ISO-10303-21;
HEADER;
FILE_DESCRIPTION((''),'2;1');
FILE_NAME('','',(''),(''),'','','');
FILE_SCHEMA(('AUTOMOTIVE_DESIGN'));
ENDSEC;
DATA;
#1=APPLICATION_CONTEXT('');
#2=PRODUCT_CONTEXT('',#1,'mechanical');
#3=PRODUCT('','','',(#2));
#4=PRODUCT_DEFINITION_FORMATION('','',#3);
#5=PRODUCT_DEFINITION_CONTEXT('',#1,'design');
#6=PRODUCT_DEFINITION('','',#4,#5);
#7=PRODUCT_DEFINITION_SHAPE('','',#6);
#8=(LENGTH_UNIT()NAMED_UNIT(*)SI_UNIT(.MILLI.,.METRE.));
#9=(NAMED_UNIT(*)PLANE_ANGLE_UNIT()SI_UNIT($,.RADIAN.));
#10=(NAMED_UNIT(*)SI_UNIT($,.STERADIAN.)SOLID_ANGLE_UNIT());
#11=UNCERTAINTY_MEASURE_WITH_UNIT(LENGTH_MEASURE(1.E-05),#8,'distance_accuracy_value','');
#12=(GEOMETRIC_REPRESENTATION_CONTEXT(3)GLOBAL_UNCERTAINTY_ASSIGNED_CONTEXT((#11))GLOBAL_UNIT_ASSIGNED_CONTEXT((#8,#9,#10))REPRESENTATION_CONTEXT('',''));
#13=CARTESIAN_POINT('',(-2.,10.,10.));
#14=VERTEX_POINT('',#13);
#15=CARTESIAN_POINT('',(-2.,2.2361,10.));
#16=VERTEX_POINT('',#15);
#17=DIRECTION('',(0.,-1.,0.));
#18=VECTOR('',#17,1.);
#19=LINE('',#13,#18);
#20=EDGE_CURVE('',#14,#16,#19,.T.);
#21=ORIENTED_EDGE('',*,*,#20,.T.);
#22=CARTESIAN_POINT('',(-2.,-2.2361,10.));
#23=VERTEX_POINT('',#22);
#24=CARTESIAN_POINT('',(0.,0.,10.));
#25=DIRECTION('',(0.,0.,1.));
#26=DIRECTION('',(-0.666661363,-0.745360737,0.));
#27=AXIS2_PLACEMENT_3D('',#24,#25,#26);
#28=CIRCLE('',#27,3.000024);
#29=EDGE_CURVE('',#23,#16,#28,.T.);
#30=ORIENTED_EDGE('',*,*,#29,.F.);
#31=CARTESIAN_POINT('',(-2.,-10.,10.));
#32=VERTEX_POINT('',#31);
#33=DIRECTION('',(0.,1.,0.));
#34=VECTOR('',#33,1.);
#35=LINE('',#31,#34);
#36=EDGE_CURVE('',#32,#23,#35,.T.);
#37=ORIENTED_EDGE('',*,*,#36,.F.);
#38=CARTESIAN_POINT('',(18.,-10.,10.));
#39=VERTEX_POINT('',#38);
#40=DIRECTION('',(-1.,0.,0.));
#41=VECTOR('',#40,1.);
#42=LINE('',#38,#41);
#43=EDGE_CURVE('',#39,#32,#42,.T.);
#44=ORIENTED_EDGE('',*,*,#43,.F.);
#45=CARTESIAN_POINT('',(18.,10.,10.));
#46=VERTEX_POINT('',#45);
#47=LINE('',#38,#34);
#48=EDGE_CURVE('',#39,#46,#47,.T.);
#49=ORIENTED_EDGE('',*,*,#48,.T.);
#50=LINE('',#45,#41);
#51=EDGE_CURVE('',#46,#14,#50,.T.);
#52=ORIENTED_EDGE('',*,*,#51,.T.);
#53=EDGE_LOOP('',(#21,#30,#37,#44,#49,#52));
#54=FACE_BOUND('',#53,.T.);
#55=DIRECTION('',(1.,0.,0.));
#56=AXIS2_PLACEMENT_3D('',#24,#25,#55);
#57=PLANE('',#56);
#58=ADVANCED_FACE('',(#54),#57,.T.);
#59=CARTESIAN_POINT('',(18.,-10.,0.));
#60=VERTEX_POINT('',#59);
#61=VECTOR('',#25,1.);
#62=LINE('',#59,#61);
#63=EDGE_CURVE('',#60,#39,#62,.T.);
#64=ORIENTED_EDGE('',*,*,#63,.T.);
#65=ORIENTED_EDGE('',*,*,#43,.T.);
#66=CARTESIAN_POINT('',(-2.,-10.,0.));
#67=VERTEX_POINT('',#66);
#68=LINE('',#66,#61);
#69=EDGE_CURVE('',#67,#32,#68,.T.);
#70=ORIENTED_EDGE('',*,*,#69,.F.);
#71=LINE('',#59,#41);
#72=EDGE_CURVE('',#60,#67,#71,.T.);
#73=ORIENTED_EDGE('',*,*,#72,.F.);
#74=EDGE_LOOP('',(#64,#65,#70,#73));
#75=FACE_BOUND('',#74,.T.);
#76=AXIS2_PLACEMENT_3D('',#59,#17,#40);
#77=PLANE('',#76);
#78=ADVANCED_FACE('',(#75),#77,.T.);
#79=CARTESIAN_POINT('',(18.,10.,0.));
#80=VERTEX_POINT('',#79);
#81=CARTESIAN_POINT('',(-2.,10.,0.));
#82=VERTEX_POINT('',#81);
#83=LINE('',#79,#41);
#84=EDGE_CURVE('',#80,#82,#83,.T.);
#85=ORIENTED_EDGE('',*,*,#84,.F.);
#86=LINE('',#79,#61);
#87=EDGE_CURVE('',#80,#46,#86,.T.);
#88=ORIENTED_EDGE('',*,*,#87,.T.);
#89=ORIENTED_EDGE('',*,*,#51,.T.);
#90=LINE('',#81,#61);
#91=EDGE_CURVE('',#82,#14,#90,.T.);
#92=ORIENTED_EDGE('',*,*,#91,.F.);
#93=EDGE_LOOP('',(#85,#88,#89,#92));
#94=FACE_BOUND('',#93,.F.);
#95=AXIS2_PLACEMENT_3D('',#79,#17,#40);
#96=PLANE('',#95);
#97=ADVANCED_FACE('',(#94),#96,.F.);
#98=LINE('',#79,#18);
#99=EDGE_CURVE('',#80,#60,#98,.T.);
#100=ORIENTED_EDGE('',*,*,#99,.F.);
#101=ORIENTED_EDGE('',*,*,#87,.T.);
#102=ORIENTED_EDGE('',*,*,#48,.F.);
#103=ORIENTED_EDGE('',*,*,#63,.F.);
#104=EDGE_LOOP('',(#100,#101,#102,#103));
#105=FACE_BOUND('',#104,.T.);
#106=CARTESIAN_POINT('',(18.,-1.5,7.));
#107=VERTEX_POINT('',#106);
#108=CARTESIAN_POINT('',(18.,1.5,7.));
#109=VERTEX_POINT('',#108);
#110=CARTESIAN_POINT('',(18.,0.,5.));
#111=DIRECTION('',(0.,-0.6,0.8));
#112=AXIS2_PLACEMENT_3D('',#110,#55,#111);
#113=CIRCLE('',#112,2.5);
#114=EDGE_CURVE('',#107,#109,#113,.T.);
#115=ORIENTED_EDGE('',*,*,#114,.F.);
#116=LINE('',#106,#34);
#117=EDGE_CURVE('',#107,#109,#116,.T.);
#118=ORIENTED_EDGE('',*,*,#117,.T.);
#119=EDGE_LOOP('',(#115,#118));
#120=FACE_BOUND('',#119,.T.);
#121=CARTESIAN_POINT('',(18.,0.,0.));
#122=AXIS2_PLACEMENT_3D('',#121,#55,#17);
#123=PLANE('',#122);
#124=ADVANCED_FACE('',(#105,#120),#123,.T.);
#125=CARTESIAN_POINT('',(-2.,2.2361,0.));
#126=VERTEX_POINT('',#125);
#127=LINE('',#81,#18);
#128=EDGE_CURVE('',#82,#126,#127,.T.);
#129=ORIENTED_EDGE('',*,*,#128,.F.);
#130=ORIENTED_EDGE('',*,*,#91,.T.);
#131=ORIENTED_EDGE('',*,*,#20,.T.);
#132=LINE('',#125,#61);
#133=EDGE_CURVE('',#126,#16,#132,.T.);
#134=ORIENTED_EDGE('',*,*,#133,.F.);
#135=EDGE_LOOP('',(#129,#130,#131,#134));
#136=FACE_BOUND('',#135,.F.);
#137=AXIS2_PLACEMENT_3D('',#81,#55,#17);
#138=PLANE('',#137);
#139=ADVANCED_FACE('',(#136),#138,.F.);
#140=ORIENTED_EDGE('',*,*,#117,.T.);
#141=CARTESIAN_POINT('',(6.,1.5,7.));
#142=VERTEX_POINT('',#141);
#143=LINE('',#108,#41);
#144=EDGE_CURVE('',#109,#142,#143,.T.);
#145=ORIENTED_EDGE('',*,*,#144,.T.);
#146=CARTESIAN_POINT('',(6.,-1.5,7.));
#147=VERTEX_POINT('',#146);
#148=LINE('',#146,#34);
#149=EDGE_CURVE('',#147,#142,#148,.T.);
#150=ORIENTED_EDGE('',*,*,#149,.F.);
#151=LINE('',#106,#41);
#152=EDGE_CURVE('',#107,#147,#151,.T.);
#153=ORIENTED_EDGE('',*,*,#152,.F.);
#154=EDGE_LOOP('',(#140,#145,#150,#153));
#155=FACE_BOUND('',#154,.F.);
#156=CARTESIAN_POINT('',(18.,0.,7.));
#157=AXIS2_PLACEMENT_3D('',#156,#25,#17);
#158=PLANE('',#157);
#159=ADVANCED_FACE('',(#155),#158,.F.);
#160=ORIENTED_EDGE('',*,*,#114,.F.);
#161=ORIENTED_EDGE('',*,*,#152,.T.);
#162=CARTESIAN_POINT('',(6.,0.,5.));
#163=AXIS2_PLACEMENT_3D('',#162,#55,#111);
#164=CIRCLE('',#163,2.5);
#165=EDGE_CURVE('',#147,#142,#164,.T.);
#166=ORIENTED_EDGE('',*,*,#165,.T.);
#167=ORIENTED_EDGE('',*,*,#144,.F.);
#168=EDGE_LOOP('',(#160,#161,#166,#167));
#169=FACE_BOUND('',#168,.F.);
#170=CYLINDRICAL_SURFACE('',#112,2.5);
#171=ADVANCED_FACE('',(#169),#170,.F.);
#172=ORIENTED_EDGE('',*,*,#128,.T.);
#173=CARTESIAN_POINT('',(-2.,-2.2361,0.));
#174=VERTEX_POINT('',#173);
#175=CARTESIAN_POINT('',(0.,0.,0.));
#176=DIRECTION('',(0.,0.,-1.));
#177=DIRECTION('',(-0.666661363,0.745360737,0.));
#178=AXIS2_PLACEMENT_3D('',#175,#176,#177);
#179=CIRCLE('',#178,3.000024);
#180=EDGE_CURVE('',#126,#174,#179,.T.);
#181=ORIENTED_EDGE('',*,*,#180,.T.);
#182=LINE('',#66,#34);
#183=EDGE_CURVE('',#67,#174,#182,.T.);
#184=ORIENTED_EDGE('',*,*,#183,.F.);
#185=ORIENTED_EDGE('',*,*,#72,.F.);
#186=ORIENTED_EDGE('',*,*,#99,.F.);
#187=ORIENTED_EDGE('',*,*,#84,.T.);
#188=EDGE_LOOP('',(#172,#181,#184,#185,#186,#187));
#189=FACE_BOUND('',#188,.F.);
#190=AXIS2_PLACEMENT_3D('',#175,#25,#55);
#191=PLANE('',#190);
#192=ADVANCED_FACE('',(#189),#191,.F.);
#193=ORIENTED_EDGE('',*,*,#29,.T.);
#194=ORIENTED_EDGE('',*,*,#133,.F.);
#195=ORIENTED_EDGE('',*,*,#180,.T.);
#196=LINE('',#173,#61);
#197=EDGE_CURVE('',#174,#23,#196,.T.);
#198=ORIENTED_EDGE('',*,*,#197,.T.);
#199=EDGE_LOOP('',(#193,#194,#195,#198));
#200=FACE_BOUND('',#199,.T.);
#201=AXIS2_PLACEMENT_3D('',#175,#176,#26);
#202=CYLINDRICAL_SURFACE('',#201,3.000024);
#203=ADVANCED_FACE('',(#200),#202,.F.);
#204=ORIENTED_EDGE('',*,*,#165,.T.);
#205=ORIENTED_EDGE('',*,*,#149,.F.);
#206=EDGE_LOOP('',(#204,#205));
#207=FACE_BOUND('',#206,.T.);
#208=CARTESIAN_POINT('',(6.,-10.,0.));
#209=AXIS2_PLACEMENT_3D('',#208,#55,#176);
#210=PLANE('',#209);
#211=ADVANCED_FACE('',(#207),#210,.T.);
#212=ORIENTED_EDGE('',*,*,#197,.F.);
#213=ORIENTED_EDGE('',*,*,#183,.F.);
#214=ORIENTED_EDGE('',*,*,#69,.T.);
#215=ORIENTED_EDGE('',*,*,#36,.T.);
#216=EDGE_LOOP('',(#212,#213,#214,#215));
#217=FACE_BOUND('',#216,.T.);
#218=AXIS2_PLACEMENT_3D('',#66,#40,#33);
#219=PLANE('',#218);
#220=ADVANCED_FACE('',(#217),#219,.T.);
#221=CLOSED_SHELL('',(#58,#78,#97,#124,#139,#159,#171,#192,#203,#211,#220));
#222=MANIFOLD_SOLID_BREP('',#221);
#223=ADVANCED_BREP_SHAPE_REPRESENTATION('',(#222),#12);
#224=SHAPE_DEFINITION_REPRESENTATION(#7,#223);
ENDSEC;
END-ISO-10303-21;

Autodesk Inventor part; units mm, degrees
ref_plane "YZ Plane" through (0, 0, 0) normal (1, 0, 0) x (0, 1, 0)
ref_plane "XZ Plane" through (0, 0, 0) normal (0, 1, 0) x (-1, 0, 0)
ref_plane "XY Plane" through (0, 0, 0) normal (0, 0, 1) x (1, 0, 0)
sketch "Sketch1" plane through (0, 0, 0) normal (0, 0, 1) x (1, 0, 0)
  arc A0 (-2, -2.2361) -> (-2, 2.2361) centre (0, 0) ccw
  line L0 (-3, 0) -> (-2, 0)
  line L1 (-2, 0) -> (-2, 2.2361)
  line L2 (-2, 2.2361) -> (-2, -2.2361)
  line L3 (3, 0) -> (18, 0)
  line L4 (18, 0) -> (18, 10)
  line L5 (18, 10) -> (-2, 10)
  line L6 (-2, 10) -> (-2, 0)
  line L7 (3, 0) -> (18, 0)
  line L8 (18, 0) -> (18, -10)
  line L9 (18, -10) -> (-2, -10)
  line L10 (-2, -10) -> (-2, 0)
  point P0 (-2, 2.2361)
  point P1 (-2, -2.2361)
  dimension "d0" = 6
  dimension "d1" = 1
  dimension "d2" = 20
  dimension "d3" = 10
  dimension "d4" = 10
sketch "Sketch2" plane through (0, 0, 0) normal (0, 0, 1) x (1, 0, 0)
  point P0 (0, 0)
extrude "Extrusion1" add sketch "Sketch1" along normal blind 10 contours A0 L3 L8 L9 L10 | A0 L6 L5 L4 L3
sketch "Sketch3" plane through (18, -10, 0) normal (1, 0, 0) x (0, 0, -1)
  line L0 (0, 0) -> (-10, 0) projected
  line L1 (-10, 20) -> (-10, 12.2361) projected
  line L2 (0, 0) -> (-10, 0)
  line L3 (-10, 0) -> (-10, 20)
  line L4 (-10, 20) -> (0, 20)
  line L5 (0, 20) -> (0, 0)
  arc A0 (-7, 8.5) -> (-7, 11.5) centre (-5, 10) ccw
  line L6 (-7.5, 10) -> (-7, 10)
  line L7 (-7, 11.5) -> (-7, 8.5)
  point P0 (0, 10)
  dimension "d7" = 5
  dimension "d8" = 0.5
extrude "Extrusion2" cut sketch "Sketch3" against normal blind 12 contours L7 A0
properties part number "LazerMount"
